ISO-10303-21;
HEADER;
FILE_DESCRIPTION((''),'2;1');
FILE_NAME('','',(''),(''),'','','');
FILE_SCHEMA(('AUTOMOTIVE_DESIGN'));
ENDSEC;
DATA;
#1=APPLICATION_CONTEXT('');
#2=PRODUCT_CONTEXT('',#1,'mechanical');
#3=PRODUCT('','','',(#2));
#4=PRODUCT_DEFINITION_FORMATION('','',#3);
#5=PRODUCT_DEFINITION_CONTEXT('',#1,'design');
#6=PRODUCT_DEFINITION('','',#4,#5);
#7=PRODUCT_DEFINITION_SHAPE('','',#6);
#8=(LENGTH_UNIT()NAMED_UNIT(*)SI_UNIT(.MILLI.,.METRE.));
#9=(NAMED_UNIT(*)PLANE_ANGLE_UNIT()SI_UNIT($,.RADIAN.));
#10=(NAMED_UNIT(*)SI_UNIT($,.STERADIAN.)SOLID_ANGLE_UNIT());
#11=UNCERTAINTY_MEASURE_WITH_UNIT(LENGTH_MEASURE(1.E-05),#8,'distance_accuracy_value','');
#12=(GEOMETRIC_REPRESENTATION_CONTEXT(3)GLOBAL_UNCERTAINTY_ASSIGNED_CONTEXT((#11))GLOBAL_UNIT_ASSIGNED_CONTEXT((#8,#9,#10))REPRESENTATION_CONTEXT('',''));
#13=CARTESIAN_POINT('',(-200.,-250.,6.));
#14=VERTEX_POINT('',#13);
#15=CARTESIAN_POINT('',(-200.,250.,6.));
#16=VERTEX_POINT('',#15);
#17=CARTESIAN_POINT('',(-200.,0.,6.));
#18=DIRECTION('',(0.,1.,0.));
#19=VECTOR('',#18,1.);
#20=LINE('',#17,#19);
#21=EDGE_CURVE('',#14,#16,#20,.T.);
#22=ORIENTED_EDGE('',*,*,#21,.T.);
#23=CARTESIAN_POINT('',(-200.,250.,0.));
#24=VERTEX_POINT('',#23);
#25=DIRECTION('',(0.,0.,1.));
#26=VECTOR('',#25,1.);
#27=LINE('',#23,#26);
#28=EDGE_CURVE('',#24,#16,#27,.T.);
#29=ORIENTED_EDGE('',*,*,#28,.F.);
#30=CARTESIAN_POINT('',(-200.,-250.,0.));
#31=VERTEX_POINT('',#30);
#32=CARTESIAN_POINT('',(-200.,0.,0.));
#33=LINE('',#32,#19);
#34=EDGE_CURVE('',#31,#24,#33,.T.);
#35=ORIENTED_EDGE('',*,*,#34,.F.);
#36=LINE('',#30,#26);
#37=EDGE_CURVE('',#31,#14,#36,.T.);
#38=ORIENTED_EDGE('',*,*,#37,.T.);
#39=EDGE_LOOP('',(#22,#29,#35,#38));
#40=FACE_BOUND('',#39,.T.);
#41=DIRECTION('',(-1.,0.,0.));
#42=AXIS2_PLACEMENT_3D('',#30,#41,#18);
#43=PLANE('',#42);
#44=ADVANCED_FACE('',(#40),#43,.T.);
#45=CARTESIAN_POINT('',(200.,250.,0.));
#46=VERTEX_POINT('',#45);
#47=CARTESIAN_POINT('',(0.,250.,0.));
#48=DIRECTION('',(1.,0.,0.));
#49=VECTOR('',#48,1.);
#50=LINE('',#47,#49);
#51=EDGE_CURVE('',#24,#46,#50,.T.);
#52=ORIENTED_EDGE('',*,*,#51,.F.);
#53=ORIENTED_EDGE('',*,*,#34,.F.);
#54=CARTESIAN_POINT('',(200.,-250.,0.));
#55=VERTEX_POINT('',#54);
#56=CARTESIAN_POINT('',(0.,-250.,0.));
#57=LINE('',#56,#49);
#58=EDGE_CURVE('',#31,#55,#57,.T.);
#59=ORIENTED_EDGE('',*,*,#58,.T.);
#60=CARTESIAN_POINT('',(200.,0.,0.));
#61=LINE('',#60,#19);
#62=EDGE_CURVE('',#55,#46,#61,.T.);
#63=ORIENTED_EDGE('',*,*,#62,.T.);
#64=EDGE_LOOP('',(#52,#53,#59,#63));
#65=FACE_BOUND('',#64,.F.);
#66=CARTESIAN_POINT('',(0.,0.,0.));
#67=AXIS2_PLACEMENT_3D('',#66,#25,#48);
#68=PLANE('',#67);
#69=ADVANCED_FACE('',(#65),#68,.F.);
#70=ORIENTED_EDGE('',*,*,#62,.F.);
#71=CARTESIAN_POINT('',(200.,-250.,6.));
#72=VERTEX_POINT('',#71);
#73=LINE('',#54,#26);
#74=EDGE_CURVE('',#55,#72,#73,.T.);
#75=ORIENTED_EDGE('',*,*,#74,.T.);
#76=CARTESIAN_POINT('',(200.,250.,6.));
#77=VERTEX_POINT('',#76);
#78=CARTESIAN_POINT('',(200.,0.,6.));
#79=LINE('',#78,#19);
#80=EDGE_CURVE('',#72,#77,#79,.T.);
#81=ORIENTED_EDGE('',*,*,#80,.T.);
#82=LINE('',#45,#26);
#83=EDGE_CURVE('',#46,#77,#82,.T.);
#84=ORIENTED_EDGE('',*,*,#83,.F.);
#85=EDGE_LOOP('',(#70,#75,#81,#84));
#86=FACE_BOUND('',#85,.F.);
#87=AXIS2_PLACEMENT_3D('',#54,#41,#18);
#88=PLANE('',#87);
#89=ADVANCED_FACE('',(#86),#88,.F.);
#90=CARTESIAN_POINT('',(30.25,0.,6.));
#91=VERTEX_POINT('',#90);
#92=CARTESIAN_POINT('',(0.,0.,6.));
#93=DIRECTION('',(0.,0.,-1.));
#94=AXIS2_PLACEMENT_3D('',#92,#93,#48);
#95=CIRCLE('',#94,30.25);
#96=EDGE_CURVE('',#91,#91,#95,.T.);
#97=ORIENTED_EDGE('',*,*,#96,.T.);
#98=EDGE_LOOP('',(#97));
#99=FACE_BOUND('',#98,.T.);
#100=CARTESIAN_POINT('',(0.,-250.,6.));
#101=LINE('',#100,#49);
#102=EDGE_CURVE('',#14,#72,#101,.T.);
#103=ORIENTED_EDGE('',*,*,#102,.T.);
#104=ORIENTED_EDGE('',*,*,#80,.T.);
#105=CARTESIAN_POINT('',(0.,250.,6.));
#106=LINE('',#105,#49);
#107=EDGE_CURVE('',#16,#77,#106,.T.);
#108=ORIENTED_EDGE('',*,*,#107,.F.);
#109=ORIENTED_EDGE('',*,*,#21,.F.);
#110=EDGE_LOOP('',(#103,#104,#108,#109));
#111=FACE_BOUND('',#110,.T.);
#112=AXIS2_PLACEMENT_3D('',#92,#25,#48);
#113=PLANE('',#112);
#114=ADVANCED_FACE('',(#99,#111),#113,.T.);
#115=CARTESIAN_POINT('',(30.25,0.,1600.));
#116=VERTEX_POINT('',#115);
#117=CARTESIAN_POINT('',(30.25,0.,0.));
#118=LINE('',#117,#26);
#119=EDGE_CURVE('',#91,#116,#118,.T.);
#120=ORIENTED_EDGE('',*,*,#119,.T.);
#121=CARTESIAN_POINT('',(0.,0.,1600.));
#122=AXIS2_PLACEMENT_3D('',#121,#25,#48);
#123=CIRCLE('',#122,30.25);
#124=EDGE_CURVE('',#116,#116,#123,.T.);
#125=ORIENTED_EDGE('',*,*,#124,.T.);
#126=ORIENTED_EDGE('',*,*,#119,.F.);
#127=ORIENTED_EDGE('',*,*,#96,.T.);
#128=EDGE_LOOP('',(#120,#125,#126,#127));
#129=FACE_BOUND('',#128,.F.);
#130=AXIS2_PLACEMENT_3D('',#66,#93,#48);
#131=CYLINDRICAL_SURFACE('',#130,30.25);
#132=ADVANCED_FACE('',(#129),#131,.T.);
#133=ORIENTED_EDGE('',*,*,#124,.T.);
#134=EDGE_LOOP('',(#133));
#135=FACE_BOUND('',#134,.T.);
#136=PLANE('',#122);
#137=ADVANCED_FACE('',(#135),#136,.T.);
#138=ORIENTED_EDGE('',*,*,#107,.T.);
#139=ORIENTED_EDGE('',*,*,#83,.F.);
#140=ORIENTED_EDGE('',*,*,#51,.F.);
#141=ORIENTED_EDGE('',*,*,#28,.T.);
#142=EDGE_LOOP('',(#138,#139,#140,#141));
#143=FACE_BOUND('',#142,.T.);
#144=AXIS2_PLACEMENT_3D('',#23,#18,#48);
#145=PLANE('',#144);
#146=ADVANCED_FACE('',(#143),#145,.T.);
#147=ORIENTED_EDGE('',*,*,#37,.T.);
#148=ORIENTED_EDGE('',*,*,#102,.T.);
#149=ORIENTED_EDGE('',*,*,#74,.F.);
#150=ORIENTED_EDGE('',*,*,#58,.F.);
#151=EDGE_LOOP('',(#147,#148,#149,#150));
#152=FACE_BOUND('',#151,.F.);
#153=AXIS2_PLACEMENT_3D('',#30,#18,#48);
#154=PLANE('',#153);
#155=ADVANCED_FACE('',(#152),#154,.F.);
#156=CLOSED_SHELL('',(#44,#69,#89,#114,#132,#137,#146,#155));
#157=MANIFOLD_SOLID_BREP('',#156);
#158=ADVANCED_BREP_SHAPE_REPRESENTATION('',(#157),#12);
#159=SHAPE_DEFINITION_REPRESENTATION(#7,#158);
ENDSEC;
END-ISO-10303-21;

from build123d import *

# Parameters (mm, degrees)
F0_W     = 400
F0_H     = 500
F1_DEPTH = 6
F2_R     = 30.25
F3_DEPTH = 1600


with BuildPart() as f1:
    # F0 (on Top) → F1 (new body)
    with BuildSketch(Plane.XY):
        Rectangle(F0_W, F0_H)
    extrude(amount=F1_DEPTH)

    # F2 (on Top) → F3 (join)
    with BuildSketch(Plane.XY):
        Circle(F2_R)
    extrude(amount=F3_DEPTH)


solid = f1.part
